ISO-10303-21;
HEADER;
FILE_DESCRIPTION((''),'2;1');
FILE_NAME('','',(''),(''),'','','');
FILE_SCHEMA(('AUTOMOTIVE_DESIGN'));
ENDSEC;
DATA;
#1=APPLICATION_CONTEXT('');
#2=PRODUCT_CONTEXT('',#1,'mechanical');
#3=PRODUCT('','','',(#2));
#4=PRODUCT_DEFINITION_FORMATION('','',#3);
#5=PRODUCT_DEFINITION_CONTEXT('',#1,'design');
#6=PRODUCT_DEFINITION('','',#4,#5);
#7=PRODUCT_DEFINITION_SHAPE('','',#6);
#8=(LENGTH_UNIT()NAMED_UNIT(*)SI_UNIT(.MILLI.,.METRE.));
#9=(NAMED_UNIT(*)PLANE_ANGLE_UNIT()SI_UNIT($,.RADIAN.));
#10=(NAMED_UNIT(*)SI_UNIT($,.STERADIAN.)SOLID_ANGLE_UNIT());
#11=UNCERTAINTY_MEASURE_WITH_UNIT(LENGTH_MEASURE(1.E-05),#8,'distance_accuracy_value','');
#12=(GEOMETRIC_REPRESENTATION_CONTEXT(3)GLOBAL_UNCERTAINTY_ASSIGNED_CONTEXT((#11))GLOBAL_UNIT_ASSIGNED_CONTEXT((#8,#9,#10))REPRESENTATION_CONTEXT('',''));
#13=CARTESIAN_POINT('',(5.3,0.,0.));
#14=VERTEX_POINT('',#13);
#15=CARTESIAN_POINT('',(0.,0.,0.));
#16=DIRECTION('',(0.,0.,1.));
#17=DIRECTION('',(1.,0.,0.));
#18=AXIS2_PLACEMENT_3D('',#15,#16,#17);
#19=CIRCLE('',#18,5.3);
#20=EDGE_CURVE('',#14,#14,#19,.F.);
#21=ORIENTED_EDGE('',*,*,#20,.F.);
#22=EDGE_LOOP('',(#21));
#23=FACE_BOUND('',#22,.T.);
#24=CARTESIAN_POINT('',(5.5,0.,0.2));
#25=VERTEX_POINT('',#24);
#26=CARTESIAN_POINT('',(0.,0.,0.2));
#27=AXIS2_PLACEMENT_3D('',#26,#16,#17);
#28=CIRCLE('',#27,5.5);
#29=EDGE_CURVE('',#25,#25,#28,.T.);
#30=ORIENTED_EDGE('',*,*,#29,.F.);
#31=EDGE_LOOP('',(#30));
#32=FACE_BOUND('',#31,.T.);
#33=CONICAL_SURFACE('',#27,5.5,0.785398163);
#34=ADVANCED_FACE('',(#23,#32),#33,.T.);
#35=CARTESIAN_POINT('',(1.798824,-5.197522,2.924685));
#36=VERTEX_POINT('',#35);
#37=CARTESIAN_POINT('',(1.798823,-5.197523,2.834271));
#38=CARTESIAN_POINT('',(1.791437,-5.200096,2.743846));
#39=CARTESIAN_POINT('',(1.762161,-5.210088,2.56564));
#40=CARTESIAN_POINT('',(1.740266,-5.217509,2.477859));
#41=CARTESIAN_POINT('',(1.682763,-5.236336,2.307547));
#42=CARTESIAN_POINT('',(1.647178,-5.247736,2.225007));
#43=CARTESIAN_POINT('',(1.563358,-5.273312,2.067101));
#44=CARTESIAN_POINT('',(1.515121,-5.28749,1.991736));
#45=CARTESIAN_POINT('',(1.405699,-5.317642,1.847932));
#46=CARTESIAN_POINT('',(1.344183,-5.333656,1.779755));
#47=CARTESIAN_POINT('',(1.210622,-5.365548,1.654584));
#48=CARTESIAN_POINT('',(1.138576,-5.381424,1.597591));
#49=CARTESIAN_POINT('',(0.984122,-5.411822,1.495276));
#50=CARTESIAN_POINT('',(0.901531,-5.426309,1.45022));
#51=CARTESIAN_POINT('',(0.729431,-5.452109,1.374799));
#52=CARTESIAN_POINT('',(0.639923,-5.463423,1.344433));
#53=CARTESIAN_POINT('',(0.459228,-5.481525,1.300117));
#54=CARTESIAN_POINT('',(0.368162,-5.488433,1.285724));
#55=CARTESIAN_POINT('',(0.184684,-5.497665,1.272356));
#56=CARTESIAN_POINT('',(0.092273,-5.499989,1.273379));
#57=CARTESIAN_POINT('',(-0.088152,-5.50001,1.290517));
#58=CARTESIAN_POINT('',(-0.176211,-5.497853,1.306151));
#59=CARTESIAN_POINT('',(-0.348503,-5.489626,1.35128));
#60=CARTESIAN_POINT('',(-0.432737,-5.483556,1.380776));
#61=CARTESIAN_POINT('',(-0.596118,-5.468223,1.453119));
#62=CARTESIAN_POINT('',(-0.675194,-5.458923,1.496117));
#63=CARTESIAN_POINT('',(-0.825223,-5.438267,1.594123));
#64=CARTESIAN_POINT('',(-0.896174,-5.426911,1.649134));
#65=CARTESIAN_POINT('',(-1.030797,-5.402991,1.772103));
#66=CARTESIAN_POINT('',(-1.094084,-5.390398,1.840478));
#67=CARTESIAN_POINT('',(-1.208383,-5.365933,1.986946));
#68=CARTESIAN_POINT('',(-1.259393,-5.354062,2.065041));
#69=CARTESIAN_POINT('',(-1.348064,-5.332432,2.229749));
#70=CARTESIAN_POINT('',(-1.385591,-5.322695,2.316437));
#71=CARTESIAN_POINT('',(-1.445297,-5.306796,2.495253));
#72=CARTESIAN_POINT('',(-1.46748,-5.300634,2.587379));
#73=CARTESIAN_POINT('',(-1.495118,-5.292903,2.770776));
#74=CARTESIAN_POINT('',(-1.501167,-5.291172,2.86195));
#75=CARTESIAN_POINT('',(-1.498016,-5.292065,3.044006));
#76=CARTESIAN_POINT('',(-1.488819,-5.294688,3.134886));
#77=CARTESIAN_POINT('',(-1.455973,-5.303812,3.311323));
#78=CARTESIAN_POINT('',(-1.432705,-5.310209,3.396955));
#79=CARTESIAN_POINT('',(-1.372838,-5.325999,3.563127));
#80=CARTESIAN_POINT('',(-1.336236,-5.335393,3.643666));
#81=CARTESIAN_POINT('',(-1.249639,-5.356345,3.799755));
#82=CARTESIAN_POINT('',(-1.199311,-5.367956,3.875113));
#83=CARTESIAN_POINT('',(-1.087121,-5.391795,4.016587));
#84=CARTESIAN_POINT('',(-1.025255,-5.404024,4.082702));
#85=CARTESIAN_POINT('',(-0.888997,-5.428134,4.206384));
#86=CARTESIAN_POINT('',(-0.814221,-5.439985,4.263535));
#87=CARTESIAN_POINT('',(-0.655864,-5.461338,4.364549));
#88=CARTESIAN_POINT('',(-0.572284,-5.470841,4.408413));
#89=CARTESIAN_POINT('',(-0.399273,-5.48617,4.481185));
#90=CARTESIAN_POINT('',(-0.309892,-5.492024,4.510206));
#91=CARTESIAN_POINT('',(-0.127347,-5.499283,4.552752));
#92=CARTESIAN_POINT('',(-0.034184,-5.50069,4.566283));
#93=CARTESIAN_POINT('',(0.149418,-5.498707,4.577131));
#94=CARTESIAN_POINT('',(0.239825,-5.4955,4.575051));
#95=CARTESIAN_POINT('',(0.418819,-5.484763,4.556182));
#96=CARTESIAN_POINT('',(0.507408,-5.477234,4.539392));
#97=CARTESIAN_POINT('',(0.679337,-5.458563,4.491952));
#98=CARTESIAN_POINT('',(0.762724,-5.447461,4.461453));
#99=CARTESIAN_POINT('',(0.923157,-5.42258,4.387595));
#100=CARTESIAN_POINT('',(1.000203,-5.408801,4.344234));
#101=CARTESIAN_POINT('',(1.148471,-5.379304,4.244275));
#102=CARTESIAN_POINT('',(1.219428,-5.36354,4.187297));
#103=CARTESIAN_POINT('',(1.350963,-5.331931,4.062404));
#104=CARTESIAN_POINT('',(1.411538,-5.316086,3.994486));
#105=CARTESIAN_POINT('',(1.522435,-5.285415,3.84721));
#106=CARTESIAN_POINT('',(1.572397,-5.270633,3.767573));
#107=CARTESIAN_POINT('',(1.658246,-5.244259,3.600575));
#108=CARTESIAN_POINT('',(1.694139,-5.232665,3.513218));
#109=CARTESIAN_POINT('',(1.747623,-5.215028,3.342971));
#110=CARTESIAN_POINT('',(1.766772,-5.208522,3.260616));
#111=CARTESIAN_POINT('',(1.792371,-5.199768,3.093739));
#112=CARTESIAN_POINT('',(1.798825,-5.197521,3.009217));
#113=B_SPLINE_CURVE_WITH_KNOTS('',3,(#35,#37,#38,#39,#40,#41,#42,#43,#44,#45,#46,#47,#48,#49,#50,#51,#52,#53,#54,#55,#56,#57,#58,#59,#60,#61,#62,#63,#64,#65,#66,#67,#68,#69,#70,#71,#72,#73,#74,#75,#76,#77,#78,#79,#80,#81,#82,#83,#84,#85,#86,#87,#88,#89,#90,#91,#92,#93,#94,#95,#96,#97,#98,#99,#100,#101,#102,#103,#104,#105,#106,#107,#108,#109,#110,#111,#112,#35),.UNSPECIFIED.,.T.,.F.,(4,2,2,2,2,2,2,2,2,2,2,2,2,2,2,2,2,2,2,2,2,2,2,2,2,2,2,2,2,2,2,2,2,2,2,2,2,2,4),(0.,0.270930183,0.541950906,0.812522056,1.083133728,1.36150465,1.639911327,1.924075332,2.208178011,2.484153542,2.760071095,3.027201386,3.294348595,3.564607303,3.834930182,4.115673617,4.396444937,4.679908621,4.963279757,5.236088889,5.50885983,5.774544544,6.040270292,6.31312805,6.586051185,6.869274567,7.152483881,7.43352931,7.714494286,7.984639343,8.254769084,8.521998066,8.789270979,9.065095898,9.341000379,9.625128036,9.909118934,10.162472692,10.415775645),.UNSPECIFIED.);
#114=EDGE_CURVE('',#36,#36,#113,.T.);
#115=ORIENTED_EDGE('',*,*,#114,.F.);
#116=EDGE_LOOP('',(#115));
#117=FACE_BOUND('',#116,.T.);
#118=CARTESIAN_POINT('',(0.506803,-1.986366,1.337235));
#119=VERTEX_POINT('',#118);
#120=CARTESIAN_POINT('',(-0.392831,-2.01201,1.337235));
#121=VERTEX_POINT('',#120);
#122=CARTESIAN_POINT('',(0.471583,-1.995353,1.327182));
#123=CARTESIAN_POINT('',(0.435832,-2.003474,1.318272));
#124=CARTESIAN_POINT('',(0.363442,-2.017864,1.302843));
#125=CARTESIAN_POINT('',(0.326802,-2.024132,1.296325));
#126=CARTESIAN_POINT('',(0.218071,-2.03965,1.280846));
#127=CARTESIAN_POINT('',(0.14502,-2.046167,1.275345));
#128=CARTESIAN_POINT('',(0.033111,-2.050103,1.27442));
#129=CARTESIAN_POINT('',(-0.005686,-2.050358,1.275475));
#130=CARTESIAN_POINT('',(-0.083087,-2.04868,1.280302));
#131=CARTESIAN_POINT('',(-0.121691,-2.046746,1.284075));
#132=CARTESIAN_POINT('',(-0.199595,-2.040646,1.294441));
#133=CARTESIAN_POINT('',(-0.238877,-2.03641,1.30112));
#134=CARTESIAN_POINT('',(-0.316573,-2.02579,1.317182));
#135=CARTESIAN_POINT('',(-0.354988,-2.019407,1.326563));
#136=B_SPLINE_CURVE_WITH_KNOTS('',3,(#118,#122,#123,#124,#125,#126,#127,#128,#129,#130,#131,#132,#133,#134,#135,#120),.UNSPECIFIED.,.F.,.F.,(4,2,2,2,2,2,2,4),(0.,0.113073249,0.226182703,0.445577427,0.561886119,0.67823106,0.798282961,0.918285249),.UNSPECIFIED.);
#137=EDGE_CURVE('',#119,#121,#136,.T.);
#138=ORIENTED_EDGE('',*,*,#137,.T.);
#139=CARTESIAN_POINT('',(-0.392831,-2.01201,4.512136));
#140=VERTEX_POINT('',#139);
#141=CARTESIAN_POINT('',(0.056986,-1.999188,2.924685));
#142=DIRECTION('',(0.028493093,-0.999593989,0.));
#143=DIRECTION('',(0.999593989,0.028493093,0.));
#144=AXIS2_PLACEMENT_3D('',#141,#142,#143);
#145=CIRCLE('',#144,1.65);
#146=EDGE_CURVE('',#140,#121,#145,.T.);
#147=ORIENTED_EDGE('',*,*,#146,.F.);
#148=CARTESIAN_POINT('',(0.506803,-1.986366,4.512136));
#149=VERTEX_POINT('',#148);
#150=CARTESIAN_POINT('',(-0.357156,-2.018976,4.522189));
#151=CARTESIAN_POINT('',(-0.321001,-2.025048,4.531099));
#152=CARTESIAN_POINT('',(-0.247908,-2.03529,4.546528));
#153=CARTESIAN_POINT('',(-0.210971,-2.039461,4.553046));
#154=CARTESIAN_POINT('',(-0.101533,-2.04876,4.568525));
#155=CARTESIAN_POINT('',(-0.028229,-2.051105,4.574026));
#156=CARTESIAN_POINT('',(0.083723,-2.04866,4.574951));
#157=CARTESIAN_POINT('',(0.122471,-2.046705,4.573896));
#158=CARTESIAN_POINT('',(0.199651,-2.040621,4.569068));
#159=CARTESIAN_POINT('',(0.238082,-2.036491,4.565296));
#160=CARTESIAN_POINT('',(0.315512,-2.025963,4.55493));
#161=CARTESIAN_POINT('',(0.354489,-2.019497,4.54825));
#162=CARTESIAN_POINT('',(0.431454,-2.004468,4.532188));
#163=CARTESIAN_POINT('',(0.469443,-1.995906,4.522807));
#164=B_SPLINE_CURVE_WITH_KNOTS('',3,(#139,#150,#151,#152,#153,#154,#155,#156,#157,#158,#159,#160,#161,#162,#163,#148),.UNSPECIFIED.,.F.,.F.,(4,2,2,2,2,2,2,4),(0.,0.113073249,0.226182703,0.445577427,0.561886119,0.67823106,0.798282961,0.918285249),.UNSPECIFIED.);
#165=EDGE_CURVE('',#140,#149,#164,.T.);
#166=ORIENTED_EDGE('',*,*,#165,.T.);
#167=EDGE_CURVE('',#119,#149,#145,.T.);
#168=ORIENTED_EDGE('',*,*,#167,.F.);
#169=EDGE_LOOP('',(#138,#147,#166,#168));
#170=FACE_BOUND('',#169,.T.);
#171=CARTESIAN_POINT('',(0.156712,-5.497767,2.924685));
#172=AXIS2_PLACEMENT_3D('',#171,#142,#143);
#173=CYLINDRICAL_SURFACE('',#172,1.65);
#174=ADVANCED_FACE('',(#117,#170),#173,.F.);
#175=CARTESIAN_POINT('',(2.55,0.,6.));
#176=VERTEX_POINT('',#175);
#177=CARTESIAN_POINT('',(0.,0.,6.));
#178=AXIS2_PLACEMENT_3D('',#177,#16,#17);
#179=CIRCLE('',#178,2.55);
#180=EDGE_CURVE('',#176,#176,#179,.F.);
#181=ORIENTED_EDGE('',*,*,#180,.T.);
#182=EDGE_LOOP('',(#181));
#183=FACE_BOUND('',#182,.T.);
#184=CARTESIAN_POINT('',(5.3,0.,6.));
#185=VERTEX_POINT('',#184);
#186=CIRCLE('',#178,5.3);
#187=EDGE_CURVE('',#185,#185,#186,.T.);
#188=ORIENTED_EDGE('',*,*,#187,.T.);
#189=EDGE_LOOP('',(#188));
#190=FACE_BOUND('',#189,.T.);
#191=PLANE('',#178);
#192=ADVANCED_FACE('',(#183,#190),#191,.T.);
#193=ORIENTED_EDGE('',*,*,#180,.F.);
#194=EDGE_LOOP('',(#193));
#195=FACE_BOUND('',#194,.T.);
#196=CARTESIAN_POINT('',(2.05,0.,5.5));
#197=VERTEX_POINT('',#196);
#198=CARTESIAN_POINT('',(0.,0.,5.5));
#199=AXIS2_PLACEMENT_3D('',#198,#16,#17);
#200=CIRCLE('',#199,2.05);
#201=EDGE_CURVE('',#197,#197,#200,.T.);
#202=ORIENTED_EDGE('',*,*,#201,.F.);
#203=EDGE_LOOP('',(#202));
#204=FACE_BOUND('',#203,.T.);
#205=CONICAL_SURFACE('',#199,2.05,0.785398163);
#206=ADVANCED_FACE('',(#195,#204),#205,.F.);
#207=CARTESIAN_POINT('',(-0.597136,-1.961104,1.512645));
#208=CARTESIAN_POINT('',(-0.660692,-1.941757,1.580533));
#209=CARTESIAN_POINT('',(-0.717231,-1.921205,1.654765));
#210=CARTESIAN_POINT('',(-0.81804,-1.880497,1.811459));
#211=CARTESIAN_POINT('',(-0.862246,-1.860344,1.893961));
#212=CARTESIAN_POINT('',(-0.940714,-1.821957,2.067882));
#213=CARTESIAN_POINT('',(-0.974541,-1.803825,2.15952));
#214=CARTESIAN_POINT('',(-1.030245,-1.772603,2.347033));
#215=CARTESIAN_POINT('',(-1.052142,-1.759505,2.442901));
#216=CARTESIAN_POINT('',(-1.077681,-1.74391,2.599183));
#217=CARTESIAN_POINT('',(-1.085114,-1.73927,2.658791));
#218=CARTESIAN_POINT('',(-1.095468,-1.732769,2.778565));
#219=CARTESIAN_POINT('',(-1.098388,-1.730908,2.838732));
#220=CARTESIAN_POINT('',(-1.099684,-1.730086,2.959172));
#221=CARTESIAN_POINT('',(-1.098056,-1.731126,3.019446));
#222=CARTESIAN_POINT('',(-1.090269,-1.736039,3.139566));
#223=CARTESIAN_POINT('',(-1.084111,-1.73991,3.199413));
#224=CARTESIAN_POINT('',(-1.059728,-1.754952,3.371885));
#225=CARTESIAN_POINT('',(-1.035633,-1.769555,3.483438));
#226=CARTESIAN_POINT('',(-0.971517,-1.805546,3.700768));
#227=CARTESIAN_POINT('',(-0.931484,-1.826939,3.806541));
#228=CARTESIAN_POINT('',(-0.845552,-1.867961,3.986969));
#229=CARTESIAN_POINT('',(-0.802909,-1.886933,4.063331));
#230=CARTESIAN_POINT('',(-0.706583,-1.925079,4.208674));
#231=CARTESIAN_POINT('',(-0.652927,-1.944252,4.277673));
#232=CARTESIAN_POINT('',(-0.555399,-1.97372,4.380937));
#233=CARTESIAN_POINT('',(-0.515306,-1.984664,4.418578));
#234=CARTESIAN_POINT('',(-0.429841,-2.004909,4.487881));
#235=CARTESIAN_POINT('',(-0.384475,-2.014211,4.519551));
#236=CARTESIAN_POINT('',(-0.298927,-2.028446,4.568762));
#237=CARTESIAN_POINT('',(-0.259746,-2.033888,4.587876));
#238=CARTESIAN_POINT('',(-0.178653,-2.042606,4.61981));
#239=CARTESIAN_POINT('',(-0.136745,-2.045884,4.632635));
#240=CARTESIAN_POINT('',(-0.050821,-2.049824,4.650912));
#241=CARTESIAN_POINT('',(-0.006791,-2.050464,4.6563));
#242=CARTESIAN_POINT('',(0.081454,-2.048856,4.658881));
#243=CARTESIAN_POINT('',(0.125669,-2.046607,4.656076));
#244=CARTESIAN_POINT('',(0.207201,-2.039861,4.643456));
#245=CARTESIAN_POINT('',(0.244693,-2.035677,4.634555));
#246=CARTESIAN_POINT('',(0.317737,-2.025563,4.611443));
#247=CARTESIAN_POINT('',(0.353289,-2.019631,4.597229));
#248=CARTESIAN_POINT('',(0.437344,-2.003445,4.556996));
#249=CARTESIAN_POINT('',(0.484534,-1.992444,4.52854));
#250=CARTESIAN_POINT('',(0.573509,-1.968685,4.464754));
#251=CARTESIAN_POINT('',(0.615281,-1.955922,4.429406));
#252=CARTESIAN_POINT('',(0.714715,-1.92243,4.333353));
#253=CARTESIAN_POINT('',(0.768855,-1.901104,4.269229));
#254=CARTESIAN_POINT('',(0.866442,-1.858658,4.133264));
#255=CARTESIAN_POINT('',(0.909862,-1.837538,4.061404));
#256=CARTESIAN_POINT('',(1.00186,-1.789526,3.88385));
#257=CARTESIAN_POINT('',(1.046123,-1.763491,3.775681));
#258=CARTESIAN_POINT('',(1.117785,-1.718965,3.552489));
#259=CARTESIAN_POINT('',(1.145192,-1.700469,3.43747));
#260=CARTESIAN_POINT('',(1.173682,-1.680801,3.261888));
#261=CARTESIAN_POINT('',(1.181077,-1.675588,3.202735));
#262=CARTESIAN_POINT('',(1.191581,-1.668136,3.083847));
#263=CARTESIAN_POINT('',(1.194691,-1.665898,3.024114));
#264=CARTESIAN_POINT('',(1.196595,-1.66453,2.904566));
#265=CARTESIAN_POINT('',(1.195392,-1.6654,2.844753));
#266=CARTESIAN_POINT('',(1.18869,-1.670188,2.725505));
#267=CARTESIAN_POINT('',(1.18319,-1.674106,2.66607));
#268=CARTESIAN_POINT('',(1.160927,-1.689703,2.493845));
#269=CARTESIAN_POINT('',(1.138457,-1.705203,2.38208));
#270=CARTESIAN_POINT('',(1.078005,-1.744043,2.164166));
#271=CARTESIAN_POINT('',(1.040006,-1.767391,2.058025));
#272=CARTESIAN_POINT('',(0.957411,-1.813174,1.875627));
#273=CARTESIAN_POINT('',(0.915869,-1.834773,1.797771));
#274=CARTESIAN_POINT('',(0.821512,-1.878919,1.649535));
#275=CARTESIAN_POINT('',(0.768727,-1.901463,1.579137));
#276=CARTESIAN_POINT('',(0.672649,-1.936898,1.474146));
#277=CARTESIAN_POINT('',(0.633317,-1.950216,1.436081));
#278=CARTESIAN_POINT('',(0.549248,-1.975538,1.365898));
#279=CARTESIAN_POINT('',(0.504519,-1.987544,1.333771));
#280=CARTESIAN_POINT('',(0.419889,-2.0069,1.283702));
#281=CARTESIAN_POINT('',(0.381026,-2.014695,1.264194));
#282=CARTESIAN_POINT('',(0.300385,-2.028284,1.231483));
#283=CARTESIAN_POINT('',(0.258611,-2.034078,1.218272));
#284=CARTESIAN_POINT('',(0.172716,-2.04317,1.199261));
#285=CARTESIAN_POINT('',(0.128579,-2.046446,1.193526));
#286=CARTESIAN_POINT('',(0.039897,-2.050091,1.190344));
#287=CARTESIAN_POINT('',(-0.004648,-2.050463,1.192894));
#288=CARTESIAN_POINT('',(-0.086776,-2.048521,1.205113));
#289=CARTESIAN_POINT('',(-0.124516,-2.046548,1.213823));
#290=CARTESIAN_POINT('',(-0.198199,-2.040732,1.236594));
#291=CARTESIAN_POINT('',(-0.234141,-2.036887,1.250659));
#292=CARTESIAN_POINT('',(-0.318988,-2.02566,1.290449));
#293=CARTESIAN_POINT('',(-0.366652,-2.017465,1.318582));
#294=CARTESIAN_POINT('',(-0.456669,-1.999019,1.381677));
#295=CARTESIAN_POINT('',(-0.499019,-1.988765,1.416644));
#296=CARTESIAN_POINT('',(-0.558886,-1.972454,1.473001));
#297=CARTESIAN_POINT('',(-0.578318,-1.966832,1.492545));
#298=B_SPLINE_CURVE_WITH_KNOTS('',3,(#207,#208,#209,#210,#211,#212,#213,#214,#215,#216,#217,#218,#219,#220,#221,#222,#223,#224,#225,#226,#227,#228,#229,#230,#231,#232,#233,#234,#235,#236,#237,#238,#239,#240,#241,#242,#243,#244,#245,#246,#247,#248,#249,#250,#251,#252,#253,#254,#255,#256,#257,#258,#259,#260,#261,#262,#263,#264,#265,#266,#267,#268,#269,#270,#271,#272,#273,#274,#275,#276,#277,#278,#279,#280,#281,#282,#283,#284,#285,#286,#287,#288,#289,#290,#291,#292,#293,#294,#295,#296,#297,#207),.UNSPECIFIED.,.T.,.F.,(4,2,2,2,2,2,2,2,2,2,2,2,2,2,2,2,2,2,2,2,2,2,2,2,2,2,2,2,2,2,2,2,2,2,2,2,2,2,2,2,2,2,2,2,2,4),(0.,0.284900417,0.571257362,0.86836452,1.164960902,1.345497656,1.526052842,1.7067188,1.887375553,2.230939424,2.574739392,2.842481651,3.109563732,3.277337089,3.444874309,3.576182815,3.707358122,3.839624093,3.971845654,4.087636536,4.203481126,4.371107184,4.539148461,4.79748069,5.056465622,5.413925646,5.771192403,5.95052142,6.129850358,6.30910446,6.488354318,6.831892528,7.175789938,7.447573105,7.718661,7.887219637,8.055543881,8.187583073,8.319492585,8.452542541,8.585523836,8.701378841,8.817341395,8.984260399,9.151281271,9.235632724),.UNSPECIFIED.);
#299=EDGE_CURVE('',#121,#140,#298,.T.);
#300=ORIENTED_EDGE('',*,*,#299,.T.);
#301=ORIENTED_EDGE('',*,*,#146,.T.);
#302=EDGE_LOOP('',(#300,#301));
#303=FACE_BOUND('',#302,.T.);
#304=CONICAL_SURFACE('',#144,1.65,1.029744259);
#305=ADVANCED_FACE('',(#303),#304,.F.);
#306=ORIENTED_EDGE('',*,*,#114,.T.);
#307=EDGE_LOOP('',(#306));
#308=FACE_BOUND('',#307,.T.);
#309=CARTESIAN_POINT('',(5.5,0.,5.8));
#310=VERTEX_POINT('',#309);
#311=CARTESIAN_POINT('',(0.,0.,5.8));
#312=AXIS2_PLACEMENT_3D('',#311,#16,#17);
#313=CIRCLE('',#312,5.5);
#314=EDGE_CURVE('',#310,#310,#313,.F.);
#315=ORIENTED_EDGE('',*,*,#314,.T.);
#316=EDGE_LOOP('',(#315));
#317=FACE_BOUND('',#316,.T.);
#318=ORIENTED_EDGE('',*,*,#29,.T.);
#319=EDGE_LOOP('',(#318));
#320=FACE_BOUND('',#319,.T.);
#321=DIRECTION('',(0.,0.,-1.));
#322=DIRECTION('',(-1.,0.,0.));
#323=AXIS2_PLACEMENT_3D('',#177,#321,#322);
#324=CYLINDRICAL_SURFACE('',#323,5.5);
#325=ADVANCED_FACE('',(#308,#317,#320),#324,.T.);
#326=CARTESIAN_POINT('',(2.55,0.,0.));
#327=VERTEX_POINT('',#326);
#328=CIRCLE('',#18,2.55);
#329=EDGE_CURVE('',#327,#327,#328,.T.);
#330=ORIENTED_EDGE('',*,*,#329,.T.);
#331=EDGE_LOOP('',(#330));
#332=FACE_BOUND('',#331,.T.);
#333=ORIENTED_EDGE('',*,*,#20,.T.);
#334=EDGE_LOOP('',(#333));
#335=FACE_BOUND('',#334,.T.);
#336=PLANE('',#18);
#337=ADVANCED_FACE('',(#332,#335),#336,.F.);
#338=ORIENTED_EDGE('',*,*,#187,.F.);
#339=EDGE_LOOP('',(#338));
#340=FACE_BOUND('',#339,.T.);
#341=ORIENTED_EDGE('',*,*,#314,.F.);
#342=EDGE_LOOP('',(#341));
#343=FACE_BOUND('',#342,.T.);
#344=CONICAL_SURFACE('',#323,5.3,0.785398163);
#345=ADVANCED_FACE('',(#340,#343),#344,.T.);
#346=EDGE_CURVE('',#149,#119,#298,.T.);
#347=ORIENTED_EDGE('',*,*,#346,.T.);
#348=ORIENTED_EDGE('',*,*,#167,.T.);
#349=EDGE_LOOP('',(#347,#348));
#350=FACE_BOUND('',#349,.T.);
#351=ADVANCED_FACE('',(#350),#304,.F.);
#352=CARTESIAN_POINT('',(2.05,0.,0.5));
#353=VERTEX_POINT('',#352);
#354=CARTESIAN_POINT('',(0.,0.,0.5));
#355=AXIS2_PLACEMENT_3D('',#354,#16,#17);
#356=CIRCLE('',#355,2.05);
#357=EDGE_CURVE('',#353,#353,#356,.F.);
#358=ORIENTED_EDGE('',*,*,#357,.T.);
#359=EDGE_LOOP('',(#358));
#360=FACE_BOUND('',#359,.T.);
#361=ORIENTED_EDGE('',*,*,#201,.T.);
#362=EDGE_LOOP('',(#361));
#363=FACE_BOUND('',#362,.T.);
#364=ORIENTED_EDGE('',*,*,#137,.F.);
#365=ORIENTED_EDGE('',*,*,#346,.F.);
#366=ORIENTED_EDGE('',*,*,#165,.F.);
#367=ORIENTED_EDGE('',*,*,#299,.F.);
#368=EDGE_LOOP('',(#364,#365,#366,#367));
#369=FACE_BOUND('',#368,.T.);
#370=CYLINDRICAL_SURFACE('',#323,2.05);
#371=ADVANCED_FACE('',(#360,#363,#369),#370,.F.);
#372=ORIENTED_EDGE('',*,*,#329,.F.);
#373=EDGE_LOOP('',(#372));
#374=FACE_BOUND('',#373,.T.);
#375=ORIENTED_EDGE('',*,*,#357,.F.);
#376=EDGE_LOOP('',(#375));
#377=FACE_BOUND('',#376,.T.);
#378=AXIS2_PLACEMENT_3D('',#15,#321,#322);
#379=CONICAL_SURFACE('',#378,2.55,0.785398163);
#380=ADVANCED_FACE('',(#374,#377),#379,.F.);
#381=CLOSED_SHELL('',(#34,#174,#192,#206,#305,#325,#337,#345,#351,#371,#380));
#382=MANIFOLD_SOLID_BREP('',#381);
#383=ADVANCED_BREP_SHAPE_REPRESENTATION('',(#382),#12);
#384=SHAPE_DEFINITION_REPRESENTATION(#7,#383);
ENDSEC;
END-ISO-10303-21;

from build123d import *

# Parameters (mm, degrees)
SKETCH1_R                 = 5.5
SKETCH1_R_2               = 2.05
BOSS_EXTRUDE1_DEPTH       = 6
CHAMFER1_SIZE             = 0.5
M4X0_7_TAPPED_HOLE1_D     = 3.3
M4X0_7_TAPPED_HOLE1_DEPTH = 3.5
M4X0_7_TAPPED_HOLE1_TIP   = 0.991420021
CHAMFER2_SIZE             = 0.2


with BuildPart() as part:
    # Sketch1 → Boss-Extrude1 (new body)
    with BuildSketch(Plane.XY):
        Circle(SKETCH1_R)
        Circle(SKETCH1_R_2, mode=Mode.SUBTRACT)
    extrude(amount=BOSS_EXTRUDE1_DEPTH)

    # Chamfer1
    chamfer1_edges = [part.edges().sort_by_distance(p)[0] for p in [
        (-2.05, 0, 0),
        (-2.05, 0, 6),
    ]]
    chamfer(chamfer1_edges, length=CHAMFER1_SIZE)

    # M4x0.7 Tapped Hole1
    with Locations(Plane(origin=(0.156712009, -5.497766942, 2.924685325), x_dir=(-0.999593989, -0.028493093, 0), z_dir=(0.028493093, -0.999593989, 0))):
        with Locations((0, 0)):
            Hole(M4X0_7_TAPPED_HOLE1_D / 2, depth=M4X0_7_TAPPED_HOLE1_DEPTH)
            with Locations((0, 0, -(M4X0_7_TAPPED_HOLE1_DEPTH + M4X0_7_TAPPED_HOLE1_TIP / 2))):  # 118° drill point
                Cone(0, M4X0_7_TAPPED_HOLE1_D / 2, M4X0_7_TAPPED_HOLE1_TIP, mode=Mode.SUBTRACT)

    # Chamfer2
    chamfer2_edges = [part.edges().sort_by_distance(p)[0] for p in [
        (-5.5, 0, 0),
        (-5.5, 0, 6),
    ]]
    chamfer(chamfer2_edges, length=CHAMFER2_SIZE)


solid = part.part
